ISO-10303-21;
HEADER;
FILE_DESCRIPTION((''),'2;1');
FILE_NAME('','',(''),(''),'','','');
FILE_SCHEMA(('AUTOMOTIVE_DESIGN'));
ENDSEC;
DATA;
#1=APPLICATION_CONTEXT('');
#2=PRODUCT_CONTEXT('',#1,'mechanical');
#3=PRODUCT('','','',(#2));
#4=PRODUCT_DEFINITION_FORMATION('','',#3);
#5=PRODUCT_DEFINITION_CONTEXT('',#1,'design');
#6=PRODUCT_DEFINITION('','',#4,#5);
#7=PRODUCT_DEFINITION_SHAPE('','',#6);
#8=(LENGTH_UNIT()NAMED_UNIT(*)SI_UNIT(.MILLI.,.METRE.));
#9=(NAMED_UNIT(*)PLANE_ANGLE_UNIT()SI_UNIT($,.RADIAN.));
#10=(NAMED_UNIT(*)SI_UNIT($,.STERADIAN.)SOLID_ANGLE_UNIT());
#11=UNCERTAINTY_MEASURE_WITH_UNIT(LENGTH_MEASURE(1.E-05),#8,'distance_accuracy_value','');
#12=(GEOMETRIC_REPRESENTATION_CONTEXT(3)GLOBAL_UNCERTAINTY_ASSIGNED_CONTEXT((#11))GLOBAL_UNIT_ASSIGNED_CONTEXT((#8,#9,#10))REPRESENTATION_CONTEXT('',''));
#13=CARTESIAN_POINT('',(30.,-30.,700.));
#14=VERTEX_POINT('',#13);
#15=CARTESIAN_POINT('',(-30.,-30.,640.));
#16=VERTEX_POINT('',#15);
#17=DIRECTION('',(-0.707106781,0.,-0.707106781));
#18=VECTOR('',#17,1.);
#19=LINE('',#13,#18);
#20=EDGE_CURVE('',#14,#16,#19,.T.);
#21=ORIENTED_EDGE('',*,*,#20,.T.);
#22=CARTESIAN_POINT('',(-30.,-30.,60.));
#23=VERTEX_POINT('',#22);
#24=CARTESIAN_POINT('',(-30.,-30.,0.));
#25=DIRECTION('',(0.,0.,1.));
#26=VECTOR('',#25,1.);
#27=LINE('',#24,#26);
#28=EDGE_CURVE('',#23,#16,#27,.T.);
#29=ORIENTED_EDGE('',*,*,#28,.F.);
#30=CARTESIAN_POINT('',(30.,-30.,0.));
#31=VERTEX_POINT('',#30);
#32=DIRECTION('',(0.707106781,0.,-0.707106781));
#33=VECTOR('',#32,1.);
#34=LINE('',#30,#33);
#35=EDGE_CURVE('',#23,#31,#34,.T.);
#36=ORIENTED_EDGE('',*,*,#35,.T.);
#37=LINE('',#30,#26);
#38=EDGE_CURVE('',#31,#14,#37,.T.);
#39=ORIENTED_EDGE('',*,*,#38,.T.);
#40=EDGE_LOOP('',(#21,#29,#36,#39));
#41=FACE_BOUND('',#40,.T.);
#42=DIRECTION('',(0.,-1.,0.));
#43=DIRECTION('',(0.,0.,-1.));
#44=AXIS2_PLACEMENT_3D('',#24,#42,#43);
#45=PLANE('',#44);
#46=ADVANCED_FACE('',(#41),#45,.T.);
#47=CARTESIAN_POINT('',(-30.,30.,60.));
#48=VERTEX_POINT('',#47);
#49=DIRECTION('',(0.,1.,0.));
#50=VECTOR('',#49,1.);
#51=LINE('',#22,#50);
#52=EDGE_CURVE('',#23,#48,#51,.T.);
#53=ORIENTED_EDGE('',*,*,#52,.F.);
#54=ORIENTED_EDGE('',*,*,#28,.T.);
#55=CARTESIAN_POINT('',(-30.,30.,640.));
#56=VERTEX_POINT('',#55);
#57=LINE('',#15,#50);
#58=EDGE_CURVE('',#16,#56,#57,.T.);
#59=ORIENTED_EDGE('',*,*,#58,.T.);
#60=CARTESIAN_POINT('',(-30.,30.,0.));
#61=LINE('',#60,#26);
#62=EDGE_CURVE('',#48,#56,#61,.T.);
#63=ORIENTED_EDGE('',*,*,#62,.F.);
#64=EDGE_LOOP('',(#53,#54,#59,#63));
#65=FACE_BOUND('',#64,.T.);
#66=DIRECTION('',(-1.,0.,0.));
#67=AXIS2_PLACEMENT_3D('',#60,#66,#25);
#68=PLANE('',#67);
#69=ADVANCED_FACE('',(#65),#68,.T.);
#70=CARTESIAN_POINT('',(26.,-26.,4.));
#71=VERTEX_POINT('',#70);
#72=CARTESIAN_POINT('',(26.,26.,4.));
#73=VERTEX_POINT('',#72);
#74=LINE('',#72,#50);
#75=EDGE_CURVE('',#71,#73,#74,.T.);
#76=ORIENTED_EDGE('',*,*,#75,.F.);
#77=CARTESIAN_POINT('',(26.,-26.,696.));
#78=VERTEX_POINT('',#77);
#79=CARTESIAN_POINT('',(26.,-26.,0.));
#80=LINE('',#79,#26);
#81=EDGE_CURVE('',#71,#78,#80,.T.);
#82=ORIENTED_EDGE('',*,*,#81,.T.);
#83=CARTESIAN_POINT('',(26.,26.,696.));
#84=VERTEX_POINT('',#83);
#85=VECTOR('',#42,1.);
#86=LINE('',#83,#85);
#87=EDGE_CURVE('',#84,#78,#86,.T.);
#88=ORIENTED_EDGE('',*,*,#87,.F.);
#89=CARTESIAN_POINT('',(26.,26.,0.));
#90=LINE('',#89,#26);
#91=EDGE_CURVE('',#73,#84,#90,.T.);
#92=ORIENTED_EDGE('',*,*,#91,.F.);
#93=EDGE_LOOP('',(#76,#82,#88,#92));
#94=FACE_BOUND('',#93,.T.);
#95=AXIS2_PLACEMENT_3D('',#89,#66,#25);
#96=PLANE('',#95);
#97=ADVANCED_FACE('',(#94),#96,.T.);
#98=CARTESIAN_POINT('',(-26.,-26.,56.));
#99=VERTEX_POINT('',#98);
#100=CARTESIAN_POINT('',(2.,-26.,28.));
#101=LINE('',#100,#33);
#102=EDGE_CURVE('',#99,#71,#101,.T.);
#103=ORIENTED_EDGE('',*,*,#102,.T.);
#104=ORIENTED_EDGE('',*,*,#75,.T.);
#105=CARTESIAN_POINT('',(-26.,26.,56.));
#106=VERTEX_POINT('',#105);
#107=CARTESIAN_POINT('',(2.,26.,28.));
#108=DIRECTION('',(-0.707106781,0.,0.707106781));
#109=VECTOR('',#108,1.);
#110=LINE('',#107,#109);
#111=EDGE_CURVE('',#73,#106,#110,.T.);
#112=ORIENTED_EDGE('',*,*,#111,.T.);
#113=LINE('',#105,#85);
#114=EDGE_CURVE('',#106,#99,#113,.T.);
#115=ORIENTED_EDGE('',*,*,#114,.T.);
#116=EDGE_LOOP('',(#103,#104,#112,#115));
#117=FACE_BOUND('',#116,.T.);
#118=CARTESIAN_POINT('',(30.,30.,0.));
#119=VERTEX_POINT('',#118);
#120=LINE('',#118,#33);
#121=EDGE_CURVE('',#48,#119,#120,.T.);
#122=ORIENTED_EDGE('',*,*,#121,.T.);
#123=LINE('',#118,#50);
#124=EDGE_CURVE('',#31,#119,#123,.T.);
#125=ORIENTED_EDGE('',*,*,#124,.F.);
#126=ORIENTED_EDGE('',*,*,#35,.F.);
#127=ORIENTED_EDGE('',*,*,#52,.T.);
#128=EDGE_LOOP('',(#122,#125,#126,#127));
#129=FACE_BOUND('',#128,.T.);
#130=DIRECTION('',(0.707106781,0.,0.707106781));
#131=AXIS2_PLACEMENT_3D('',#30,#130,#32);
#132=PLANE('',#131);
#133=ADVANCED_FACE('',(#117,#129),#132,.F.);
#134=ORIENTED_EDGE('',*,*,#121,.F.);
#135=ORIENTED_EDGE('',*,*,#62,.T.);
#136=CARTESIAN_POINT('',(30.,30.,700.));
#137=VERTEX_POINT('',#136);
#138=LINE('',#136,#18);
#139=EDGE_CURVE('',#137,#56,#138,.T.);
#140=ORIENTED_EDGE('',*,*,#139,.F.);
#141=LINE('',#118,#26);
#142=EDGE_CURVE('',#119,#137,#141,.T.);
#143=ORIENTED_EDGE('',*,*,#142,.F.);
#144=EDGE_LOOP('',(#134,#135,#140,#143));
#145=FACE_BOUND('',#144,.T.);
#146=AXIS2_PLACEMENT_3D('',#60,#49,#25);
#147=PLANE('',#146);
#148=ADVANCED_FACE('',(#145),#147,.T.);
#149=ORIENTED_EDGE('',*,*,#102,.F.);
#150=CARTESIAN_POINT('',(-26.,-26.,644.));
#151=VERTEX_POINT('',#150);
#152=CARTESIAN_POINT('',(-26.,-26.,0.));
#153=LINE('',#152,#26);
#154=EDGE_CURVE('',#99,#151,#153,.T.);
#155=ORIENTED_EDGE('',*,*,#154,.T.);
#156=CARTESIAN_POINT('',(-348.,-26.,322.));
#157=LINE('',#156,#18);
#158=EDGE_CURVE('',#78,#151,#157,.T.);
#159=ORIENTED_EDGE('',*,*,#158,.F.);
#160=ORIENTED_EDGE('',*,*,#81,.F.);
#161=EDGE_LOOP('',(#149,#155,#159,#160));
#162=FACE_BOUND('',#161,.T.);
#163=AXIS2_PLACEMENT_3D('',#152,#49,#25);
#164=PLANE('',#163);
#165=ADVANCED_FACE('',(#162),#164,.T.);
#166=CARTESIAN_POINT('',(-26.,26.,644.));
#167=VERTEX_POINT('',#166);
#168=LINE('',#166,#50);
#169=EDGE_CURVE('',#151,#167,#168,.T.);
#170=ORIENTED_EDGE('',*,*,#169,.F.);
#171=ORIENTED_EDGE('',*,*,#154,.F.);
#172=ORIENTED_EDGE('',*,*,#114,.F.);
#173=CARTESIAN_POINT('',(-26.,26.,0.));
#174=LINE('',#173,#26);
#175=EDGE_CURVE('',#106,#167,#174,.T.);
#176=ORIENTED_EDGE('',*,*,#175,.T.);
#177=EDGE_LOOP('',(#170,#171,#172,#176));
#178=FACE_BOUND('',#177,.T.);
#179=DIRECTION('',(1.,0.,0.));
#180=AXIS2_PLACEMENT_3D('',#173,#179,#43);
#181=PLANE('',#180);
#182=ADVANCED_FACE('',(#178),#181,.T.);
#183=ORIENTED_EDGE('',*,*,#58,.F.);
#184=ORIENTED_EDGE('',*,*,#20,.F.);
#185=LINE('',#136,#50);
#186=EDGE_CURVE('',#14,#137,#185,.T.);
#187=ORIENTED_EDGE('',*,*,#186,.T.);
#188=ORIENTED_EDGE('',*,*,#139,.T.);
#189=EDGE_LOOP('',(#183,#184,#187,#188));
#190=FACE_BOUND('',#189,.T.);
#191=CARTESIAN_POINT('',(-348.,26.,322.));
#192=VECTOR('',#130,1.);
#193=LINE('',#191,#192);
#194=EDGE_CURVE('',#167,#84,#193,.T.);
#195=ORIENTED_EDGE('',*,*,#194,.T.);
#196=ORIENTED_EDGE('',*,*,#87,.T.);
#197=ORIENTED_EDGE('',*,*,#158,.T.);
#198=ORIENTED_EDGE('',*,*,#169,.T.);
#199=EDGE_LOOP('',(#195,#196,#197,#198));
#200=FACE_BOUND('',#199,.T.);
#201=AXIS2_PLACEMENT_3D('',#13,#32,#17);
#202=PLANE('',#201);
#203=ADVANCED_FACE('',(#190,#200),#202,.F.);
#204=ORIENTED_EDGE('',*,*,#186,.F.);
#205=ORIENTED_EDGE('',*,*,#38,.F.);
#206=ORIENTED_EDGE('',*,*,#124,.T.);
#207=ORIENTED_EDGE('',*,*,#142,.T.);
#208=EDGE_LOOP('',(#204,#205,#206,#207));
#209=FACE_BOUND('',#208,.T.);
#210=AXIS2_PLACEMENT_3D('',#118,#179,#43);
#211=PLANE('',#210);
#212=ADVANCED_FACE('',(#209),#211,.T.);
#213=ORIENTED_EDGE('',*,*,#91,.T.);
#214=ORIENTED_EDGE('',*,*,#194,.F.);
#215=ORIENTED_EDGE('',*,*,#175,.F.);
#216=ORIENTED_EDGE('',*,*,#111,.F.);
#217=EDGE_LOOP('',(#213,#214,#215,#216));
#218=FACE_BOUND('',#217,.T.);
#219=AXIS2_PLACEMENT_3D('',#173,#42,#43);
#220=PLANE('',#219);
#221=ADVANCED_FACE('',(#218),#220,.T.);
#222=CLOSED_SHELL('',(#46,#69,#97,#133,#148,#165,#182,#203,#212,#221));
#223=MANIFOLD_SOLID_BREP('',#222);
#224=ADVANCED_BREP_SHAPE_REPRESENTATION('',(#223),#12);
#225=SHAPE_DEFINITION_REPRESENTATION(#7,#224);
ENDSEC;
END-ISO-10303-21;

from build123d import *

# Parameters (mm, degrees)
SKETCH1_W          = 60
SKETCH1_H          = 60
SKETCH1_W_2        = 52
SKETCH1_H_2        = 52
CUT_EXTRUDE1_DEPTH = 61.0000001


with BuildPart() as part:
    # Sweep1: sweep along a curve in space
    with BuildLine() as sweep1_path:
        add(Edge.make_bspline(
            [(0, 0, 0), (0, 0, 700)],
            knots=[0, 0, 1, 1], degree=1))
    # Sketch1 → Sweep1 (sweep)
    with BuildSketch(Plane.XY):
        Rectangle(SKETCH1_W, SKETCH1_H)
        Rectangle(SKETCH1_W_2, SKETCH1_H_2, mode=Mode.SUBTRACT)
    sweep(path=sweep1_path.line)

    # Sketch2 → Cut-Extrude1 (cut, through all)
    with BuildSketch(Plane(origin=(0, 30, 0), x_dir=(1, 0, 0), z_dir=(0, 1, 0))):
        Polygon((30, 0), (-30, -60), (-30, 0), align=None)
        Polygon((30, -700), (-30, -640), (-30, -700), align=None)
    extrude(amount=-CUT_EXTRUDE1_DEPTH, mode=Mode.SUBTRACT)


solid = part.part
